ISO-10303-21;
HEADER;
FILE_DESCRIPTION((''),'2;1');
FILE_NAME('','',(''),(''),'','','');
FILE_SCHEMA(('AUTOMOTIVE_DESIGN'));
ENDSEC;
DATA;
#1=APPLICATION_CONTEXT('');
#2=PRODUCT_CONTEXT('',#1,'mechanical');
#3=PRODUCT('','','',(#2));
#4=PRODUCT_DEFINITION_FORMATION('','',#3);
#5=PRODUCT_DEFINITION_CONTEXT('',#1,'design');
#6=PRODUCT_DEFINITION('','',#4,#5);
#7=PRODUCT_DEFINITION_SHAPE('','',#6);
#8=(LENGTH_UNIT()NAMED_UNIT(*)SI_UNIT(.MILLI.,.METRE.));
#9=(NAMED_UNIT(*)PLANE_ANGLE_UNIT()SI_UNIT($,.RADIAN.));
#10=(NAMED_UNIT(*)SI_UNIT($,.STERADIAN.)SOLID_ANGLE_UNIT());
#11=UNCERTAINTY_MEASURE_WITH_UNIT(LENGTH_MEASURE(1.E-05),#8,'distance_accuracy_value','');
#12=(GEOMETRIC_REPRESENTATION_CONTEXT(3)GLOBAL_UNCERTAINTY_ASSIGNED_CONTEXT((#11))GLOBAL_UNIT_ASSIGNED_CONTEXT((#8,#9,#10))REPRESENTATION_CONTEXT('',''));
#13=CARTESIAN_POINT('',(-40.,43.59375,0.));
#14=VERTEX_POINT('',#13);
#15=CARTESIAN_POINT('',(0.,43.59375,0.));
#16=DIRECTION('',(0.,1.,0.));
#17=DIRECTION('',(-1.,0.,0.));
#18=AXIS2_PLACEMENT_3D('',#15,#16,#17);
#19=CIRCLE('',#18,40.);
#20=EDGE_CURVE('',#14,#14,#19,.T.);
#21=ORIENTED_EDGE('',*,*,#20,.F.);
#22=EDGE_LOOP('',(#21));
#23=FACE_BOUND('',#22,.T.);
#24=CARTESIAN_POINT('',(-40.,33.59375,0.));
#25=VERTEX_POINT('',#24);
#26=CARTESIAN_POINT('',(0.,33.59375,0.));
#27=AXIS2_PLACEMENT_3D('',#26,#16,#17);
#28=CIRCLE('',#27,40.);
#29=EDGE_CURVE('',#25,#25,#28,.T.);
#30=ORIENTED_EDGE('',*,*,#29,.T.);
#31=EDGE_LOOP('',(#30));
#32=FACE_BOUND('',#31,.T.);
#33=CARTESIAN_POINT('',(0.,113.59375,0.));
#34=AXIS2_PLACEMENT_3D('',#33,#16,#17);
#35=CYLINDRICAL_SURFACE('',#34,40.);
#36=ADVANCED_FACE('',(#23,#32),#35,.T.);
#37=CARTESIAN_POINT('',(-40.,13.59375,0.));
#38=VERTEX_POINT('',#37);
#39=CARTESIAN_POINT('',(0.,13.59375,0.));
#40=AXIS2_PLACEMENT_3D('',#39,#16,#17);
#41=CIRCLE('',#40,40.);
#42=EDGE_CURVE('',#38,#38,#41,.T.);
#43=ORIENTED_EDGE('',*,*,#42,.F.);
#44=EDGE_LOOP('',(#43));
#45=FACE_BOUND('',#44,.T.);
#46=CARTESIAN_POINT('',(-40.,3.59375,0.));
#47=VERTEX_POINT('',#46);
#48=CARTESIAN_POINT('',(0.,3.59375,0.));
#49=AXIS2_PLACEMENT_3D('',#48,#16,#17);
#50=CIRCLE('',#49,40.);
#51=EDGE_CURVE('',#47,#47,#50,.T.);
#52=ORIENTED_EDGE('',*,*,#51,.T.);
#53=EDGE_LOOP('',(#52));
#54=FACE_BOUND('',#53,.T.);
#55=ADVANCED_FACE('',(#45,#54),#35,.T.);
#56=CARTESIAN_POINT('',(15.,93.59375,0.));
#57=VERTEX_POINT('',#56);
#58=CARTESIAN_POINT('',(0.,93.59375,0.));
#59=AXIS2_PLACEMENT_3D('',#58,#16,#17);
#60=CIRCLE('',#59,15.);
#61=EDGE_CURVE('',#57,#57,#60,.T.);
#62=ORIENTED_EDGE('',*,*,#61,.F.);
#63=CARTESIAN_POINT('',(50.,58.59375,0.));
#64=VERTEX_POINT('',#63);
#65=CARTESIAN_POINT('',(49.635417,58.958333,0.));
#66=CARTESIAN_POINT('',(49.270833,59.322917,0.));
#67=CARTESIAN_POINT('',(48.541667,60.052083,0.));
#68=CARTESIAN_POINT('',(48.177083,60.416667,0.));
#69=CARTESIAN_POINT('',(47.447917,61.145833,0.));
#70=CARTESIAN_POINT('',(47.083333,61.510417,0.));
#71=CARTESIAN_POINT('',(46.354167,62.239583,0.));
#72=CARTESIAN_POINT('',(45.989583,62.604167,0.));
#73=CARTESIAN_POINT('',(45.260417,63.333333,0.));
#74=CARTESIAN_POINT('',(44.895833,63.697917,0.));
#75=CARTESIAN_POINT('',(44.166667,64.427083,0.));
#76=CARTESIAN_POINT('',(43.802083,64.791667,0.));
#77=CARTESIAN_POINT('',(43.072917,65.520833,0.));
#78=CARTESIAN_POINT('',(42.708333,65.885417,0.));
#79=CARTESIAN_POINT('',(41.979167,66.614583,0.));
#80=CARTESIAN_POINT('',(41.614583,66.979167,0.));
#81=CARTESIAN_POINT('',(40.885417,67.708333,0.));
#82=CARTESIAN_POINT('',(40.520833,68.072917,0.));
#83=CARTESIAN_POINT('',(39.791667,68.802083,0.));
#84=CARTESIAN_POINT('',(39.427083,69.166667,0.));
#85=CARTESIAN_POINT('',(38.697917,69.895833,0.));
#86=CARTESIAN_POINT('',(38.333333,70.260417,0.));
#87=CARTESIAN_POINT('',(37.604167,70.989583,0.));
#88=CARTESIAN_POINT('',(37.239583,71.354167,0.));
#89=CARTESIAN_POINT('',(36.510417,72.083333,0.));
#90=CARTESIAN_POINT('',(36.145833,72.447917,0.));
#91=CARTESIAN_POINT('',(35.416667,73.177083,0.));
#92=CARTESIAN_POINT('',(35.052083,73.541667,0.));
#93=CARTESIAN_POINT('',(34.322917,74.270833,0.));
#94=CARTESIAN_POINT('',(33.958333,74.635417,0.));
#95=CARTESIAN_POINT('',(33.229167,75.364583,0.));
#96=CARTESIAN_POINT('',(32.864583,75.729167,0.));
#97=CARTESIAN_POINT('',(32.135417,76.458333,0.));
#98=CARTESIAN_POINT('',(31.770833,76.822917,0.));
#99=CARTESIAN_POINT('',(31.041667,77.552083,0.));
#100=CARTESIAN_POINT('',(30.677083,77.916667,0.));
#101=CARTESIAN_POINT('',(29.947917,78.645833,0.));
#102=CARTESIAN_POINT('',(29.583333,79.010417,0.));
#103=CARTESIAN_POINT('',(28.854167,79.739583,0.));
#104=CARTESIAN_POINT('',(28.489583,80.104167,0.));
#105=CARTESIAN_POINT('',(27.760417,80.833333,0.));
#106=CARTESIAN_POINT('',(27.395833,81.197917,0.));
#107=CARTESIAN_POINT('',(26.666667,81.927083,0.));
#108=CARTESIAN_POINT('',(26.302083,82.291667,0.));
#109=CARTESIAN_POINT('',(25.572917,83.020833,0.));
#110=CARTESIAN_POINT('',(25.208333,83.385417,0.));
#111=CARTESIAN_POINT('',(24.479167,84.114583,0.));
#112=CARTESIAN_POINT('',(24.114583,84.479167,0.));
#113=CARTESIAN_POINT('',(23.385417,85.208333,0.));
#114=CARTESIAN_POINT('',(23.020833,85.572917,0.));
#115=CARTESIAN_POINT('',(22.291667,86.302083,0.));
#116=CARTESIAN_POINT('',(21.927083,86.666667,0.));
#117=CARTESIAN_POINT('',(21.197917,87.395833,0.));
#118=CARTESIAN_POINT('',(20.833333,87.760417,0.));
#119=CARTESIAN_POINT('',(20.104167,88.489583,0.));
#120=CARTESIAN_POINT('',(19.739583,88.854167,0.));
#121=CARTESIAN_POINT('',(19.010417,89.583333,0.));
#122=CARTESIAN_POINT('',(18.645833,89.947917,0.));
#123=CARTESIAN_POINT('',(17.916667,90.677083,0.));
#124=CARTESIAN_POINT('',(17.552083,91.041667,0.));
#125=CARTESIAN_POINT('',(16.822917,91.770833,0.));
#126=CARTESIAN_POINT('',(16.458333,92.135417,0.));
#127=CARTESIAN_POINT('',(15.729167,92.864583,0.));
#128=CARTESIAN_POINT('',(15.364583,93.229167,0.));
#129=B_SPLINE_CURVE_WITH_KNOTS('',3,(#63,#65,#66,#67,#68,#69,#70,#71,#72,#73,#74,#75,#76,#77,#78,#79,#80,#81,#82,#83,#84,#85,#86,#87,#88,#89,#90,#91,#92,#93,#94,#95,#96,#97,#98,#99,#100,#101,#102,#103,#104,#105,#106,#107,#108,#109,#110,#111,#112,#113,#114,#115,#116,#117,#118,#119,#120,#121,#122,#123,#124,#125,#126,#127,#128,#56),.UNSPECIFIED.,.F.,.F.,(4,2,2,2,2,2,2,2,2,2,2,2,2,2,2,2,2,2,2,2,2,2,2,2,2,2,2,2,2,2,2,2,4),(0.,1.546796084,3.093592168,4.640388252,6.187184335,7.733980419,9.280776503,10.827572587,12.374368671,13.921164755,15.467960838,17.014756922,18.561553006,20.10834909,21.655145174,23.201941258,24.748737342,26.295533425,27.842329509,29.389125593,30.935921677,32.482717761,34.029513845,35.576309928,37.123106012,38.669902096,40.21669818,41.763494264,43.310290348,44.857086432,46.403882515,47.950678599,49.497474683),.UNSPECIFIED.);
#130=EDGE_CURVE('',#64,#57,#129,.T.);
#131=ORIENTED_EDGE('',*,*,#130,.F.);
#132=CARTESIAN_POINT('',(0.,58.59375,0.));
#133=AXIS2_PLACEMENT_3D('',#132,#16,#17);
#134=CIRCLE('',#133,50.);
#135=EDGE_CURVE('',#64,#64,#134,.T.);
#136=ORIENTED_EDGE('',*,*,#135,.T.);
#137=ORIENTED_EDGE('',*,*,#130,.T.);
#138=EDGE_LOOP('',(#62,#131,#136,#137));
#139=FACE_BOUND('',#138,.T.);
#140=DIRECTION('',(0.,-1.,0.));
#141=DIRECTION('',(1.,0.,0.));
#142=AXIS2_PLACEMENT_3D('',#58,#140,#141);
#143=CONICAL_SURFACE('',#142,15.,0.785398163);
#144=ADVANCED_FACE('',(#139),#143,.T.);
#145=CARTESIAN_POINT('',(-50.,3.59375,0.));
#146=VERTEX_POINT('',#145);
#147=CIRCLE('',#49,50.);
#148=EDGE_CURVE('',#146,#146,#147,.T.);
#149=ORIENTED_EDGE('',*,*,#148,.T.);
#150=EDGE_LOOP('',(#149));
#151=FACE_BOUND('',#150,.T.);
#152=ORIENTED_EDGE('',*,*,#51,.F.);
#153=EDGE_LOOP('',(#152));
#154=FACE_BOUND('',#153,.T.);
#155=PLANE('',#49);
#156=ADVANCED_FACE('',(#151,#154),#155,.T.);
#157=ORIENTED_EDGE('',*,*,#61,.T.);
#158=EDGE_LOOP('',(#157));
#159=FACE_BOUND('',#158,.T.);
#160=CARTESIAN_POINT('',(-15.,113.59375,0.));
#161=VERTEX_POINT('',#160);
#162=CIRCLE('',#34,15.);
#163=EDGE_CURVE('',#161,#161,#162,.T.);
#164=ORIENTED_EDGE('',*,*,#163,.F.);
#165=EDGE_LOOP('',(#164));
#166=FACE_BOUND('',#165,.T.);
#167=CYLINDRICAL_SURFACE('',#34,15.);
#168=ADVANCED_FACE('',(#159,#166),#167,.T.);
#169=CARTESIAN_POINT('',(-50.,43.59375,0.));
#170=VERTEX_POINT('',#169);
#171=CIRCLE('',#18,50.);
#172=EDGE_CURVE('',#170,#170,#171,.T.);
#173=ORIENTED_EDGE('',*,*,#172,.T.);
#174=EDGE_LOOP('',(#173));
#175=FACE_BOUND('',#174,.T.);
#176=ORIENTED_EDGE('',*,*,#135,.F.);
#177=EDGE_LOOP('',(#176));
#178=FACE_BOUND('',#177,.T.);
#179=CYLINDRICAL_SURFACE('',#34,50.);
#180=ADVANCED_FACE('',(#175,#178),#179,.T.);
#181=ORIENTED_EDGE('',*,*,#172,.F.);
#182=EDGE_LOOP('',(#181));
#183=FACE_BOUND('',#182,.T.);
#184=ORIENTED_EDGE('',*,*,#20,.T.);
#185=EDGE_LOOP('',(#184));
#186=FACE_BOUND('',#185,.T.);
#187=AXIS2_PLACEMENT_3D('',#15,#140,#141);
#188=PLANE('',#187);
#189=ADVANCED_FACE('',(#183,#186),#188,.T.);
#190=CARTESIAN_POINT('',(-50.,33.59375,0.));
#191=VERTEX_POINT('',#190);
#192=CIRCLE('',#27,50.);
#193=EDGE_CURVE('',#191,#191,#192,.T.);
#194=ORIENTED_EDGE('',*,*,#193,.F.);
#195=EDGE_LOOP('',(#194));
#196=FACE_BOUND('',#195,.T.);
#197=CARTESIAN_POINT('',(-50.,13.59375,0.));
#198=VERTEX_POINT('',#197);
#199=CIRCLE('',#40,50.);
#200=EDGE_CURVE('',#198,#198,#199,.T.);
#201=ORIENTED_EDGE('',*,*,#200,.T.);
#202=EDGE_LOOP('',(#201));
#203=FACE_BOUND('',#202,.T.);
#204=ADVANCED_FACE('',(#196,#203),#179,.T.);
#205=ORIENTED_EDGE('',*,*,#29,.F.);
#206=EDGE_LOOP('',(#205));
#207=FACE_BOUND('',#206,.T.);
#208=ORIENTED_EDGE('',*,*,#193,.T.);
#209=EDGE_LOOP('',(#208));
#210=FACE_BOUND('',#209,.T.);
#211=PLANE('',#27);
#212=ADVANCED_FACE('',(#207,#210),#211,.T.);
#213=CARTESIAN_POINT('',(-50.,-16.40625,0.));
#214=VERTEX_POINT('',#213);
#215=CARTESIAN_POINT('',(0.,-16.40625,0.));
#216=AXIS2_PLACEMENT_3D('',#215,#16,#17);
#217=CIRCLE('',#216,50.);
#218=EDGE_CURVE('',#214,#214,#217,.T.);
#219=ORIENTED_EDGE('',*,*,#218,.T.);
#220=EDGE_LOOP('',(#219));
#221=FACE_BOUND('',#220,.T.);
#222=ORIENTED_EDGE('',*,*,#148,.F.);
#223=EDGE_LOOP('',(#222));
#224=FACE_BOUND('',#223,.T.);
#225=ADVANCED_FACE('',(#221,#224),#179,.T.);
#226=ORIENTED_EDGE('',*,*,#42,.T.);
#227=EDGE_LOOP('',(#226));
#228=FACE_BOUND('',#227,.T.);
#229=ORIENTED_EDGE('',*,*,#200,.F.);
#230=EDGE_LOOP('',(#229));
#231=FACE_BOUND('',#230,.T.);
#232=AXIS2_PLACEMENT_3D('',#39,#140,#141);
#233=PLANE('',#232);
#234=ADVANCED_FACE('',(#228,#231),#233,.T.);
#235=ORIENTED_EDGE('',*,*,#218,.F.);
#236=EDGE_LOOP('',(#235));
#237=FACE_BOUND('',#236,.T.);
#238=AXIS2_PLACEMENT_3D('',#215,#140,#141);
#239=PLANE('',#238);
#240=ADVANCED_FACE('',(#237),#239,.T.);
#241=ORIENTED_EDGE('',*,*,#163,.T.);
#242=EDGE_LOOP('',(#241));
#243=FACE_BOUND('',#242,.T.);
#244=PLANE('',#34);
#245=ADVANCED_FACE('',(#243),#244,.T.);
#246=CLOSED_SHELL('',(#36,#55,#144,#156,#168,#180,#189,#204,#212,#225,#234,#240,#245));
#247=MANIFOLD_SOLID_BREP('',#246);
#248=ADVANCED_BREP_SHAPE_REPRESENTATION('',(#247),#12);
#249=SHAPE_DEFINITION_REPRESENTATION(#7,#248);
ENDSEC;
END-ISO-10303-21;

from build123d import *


with BuildPart() as part:
    # Sketch3 → Revolve4 (revolve)
    with BuildSketch(Plane.XY):
        Polygon((0, 113.59375), (0, -16.40625), (-50, -16.40625), (-50, 3.59375), (-40, 3.59375), (-40, 13.59375), (-50, 13.59375), (-50, 33.59375), (-40, 33.59375), (-40, 43.59375), (-50, 43.59375), (-50, 58.59375), (-15, 93.59375), (-15, 113.59375), align=None)
    revolve(axis=Axis((0, 113.59375, 0), (0, -1, 0)))


solid = part.part
